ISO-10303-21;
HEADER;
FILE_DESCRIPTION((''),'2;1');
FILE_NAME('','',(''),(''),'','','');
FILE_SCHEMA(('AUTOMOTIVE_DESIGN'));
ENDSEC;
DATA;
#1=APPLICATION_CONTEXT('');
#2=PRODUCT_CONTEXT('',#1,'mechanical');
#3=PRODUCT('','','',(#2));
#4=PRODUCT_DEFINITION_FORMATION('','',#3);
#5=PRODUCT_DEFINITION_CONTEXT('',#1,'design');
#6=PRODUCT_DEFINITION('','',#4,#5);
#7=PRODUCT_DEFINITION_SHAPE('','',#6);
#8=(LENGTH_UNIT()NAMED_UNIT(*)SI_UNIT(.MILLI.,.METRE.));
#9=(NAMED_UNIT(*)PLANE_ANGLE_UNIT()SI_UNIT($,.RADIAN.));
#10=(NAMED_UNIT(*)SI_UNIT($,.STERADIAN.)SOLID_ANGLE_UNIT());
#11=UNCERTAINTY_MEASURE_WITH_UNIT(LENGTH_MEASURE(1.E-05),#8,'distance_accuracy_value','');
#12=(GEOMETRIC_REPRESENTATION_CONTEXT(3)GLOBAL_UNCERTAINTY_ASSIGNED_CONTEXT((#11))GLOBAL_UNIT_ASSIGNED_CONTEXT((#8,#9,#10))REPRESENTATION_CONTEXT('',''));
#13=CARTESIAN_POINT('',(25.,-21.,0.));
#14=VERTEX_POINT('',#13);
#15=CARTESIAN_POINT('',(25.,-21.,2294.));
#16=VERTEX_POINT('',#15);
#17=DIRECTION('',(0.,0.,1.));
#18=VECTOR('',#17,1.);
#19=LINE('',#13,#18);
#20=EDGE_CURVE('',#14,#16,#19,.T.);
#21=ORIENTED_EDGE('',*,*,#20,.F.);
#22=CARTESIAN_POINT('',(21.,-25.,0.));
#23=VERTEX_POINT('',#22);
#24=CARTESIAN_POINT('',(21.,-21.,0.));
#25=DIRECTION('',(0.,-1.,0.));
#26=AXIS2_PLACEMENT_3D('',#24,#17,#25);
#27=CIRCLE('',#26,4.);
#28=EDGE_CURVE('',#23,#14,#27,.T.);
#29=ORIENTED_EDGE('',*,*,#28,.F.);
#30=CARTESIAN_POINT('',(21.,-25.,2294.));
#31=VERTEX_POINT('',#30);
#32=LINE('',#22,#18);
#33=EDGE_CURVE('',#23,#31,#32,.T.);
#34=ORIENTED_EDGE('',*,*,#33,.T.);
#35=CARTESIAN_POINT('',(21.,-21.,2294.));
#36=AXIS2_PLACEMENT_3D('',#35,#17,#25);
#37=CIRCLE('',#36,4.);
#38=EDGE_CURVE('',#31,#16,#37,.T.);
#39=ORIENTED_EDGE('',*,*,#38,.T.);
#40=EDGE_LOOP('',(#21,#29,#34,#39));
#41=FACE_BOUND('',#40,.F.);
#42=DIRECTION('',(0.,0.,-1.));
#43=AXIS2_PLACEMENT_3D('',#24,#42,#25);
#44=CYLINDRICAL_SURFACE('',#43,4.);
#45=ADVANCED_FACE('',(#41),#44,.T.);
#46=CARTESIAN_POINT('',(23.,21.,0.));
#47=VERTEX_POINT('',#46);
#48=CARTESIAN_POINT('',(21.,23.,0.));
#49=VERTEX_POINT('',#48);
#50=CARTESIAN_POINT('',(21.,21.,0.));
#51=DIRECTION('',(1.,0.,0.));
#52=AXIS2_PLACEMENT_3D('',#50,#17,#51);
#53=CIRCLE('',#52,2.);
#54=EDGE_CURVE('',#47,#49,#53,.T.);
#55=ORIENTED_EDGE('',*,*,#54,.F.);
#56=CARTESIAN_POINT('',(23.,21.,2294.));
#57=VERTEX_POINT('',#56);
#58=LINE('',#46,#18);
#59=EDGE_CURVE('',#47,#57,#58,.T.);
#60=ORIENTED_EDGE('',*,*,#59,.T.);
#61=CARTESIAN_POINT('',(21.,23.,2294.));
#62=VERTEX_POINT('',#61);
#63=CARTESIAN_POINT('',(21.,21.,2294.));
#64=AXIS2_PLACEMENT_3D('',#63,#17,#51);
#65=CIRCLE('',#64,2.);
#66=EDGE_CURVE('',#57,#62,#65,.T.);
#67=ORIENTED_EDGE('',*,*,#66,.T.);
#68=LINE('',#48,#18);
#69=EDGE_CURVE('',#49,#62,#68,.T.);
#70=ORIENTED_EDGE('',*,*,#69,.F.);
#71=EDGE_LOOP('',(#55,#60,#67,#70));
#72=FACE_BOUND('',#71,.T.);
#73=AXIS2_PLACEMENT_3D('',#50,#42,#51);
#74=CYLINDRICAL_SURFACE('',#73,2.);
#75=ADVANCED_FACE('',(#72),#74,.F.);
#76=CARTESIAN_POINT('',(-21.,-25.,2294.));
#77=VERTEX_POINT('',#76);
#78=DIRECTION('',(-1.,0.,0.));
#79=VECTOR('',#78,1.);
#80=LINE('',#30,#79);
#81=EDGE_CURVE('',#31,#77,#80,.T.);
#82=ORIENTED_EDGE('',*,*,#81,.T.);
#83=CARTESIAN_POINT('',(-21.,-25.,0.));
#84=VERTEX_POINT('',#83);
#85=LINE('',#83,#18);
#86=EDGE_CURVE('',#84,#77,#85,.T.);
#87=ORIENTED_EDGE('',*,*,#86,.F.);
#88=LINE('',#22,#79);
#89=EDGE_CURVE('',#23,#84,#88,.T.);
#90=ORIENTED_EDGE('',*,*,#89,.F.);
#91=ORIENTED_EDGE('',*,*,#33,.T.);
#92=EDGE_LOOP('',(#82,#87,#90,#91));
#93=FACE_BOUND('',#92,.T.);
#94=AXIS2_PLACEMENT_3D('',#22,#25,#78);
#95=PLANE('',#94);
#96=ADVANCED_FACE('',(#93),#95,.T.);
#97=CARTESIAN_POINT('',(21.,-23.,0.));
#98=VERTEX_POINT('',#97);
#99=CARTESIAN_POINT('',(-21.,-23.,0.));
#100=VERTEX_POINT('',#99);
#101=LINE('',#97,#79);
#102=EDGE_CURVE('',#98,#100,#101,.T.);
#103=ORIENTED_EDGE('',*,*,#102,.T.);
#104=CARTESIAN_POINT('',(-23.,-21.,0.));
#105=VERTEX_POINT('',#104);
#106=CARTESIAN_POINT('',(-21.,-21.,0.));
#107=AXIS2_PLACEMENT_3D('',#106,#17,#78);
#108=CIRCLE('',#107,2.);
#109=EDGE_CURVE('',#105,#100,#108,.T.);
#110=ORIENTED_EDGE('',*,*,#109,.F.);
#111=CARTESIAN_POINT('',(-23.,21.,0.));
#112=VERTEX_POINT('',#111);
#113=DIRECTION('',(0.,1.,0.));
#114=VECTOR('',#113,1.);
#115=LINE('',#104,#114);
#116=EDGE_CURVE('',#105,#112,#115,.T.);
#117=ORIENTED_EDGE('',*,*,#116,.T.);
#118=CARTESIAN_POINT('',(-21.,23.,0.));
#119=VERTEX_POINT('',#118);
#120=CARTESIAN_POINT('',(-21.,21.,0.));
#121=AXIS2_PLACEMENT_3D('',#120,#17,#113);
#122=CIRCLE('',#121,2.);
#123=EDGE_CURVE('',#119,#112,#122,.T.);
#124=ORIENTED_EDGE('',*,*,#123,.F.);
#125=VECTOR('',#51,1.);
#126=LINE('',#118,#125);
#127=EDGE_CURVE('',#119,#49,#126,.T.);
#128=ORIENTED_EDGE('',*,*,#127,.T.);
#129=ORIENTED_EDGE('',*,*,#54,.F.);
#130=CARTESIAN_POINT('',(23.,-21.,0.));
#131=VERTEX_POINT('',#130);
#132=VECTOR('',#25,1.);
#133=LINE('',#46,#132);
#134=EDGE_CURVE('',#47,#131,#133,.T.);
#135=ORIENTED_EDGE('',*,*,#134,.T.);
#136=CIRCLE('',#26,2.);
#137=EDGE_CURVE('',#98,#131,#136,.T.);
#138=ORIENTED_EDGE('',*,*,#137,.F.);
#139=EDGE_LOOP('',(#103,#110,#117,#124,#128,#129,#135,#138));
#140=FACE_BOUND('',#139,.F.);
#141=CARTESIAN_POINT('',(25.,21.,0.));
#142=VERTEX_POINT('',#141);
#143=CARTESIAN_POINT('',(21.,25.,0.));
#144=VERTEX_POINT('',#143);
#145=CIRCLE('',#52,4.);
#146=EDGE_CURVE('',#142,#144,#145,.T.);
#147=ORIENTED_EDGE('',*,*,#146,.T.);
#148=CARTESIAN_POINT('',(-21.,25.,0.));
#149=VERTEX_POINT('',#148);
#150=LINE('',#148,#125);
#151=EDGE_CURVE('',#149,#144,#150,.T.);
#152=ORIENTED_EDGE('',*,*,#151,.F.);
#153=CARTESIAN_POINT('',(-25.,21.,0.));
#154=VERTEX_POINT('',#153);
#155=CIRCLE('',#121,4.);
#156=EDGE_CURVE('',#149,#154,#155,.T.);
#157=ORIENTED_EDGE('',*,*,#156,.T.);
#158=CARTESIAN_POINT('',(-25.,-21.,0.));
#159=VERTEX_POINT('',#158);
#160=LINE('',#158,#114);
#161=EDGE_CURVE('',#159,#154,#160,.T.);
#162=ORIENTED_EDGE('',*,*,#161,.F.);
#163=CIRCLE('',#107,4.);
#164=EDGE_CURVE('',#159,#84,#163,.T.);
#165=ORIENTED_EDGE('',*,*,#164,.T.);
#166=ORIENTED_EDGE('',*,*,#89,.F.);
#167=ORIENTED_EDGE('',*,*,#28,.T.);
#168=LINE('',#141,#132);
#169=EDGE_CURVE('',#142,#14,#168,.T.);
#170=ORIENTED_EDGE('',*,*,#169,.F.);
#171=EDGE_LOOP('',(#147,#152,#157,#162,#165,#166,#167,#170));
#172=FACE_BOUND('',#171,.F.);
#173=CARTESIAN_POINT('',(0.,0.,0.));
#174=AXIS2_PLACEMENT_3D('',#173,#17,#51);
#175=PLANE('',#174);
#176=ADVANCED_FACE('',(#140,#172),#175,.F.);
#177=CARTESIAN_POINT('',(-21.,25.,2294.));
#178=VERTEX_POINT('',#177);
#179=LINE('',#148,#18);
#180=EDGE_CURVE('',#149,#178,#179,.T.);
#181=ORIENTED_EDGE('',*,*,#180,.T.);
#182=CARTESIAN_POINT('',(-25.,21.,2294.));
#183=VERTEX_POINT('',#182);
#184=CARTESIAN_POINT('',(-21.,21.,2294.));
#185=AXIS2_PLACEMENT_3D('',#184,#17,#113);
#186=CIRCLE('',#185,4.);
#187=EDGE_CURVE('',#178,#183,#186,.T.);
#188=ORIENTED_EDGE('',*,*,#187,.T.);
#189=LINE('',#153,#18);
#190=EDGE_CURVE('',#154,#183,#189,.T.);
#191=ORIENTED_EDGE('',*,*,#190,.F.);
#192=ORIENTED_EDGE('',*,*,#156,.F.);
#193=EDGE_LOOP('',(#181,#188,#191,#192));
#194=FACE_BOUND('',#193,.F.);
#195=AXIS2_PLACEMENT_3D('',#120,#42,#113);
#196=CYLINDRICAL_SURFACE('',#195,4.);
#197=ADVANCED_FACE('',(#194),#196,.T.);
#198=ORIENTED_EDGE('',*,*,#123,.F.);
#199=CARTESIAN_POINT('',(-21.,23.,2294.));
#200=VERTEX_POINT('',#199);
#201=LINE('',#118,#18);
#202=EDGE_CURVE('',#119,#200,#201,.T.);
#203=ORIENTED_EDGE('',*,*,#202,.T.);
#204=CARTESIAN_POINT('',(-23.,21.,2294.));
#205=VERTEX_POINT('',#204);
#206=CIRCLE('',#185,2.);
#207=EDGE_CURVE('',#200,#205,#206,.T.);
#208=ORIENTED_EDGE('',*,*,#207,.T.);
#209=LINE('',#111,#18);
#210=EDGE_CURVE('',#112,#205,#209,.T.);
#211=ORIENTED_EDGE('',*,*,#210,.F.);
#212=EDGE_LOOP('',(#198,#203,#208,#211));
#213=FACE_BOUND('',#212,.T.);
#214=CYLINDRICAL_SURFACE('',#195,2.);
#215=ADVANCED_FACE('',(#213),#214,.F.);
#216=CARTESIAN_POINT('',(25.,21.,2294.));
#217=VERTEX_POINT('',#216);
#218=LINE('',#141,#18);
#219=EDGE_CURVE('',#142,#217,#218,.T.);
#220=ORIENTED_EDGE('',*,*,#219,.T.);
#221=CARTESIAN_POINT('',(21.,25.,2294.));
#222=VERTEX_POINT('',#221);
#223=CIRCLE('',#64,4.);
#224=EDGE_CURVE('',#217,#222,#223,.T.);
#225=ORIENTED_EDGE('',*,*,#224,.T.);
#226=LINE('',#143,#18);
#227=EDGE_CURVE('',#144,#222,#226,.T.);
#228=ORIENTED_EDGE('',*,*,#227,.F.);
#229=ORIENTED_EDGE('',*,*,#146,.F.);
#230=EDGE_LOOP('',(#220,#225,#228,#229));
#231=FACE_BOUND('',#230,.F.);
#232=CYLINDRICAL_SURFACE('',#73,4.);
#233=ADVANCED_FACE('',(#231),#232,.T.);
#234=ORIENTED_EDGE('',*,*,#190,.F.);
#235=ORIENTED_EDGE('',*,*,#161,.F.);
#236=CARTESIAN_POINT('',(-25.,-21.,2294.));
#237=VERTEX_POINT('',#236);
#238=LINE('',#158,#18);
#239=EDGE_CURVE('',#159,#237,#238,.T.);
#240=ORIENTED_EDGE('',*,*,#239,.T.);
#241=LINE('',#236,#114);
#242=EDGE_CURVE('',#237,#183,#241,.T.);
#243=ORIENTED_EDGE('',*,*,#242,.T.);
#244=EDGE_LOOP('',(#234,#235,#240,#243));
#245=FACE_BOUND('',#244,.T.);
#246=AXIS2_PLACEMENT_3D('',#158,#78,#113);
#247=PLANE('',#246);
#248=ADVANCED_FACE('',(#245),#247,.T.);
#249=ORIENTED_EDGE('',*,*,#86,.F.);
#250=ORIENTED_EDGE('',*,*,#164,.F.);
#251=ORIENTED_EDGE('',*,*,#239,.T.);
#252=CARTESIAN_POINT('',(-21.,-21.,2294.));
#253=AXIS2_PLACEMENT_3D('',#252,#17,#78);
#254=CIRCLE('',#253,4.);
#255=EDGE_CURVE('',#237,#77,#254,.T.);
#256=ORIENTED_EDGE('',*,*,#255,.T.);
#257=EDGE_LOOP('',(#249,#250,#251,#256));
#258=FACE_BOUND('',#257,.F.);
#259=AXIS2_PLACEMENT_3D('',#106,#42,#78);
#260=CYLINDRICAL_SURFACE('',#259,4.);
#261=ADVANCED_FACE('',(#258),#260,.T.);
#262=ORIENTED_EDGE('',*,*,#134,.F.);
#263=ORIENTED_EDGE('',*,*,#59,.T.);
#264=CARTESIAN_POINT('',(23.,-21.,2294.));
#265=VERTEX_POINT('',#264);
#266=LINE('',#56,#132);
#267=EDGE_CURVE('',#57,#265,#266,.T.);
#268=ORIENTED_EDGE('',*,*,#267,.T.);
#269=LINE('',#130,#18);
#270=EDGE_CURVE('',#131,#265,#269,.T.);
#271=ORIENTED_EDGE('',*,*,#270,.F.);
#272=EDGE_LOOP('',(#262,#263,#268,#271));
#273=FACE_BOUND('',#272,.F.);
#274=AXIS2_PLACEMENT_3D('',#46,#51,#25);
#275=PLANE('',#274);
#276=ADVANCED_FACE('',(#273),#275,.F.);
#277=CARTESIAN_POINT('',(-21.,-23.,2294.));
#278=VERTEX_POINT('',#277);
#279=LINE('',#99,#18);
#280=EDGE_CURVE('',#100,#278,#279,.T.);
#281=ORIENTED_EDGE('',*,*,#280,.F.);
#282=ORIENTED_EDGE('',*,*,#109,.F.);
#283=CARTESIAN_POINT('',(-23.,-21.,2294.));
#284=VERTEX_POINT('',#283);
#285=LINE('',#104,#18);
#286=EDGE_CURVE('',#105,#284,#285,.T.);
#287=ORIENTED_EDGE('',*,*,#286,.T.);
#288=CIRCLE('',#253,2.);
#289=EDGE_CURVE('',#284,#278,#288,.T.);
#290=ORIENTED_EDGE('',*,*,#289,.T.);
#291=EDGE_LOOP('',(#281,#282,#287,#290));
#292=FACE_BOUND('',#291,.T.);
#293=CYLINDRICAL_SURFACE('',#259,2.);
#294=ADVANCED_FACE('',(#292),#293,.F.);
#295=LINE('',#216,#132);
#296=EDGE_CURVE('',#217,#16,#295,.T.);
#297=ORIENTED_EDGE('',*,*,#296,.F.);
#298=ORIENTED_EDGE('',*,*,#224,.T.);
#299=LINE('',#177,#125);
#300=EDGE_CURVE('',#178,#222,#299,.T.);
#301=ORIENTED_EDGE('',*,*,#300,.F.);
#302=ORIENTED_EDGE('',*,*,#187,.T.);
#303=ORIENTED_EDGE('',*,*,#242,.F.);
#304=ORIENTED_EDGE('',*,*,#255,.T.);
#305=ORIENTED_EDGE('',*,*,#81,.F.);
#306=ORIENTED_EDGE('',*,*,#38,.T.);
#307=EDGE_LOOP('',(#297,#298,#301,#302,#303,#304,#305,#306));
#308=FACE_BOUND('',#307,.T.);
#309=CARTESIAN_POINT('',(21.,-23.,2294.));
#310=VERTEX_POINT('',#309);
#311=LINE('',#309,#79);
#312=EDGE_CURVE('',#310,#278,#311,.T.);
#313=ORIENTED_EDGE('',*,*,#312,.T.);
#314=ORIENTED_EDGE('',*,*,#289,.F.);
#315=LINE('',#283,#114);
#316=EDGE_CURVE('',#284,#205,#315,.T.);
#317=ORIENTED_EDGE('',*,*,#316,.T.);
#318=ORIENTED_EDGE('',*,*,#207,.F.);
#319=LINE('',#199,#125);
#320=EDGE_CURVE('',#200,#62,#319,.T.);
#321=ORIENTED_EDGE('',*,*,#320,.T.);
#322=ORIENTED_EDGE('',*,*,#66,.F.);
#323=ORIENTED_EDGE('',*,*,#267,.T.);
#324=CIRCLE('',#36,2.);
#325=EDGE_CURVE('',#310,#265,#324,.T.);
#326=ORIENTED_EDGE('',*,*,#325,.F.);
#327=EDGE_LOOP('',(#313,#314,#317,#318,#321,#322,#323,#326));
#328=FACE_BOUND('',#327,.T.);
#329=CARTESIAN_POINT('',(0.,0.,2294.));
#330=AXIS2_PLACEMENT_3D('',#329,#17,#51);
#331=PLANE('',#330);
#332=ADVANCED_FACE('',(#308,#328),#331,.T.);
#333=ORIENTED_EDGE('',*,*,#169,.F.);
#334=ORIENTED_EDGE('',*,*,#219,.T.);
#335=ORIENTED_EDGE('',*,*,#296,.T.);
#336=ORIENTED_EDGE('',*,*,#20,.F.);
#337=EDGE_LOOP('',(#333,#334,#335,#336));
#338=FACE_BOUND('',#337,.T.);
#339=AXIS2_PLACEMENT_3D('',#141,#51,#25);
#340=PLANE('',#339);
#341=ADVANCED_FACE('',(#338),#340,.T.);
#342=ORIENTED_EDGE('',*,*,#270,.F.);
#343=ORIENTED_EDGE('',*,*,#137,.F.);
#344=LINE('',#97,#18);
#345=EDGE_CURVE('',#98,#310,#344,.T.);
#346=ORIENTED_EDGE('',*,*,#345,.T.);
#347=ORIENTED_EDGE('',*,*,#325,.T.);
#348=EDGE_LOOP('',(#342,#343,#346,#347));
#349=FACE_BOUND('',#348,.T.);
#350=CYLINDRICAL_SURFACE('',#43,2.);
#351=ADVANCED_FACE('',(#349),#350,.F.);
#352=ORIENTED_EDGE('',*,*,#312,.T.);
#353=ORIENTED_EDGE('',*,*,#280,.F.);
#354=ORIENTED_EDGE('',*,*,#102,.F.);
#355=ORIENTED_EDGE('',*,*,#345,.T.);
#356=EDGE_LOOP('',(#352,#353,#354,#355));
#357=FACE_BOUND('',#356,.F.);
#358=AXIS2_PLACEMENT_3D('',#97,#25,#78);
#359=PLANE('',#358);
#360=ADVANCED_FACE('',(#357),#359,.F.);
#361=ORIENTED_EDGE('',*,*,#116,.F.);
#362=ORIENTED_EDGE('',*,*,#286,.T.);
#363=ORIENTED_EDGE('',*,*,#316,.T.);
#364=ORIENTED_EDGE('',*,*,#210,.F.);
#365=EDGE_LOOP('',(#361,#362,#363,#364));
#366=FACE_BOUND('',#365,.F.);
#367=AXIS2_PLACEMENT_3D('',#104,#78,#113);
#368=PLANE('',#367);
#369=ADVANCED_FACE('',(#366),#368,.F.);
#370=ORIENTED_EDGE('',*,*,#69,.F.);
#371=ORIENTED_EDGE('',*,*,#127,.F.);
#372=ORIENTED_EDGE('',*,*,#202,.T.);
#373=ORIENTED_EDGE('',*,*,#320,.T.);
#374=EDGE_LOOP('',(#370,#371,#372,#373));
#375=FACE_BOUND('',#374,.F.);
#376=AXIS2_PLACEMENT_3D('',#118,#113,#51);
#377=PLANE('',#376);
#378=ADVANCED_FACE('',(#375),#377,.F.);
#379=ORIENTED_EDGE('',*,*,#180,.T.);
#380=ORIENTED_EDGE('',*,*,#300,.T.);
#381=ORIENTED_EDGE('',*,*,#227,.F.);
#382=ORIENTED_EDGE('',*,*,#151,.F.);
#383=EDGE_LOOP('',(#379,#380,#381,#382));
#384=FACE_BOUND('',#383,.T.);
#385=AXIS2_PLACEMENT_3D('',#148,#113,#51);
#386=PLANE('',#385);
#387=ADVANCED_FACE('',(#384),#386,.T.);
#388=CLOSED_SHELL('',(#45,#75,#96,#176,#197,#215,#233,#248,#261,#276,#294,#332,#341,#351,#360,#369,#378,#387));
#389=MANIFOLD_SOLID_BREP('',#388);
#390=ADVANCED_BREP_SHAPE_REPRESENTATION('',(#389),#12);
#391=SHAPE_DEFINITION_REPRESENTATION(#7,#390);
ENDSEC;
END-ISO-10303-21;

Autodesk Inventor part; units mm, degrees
ref_plane "YZ Plane" through (0, 0, 0) normal (1, 0, 0) x (0, 1, 0)
ref_plane "Start plane" through (0, 0, 0) normal (0, 0, 1) x (1, 0, 0)
ref_plane "End plane" through (0, 0, 2294) normal (0, 0, 1) x (1, 0, 0)
sketch "Sketch" plane through (0, 0, 0) normal (0, 0, 1) x (1, 0, 0)
  line L0 (-25, -21) -> (-25, 21)
  line L1 (-21, 25) -> (21, 25)
  line L2 (25, 21) -> (25, -21)
  line L3 (21, -25) -> (-21, -25)
  arc A0 (-25, -21) -> (-21, -25) centre (-21, -21) ccw
  arc A1 (25, 21) -> (21, 25) centre (21, 21) ccw
  arc A2 (-21, 25) -> (-25, 21) centre (-21, 21) ccw
  arc A3 (21, -25) -> (25, -21) centre (21, -21) ccw
  arc A4 (-21, 23) -> (-23, 21) centre (-21, 21) ccw
  line L4 (-21, 23) -> (21, 23)
  arc A5 (23, 21) -> (21, 23) centre (21, 21) ccw
  line L5 (23, 21) -> (23, -21)
  arc A6 (21, -23) -> (23, -21) centre (21, -21) ccw
  line L6 (21, -23) -> (-21, -23)
  arc A7 (-23, -21) -> (-21, -23) centre (-21, -21) ccw
  line L7 (-23, -21) -> (-23, 21)
  line L8 (0, 36.1598) -> (0, -36.1598) construction
  line L9 (-36.1598, 0) -> (36.1598, 0) construction
  dimension "d7" = 4
  dimension "d9" = 50
  dimension "d11" = 50
  dimension "d12" = 2
  dimension "d15" = 25
  dimension "d16" = 25
extrude "Body" add sketch "Sketch" along normal up to surface (2294 mm away) from surface at 0
sketch "Sketch3" plane through (0, 0, 0) normal (0, 0, 1) x (1, 0, 0)
  line L0 (0, 0) -> (10, 0)
ref_plane "Work Plane3" through (0, 0, 0) normal (0, -1, 0) x (1, 0, 0)
sketch "Sketch4" plane through (0, 0, 0) normal (0, -1, 0) x (1, 0, 0)
  line L0 (-2, 0) -> (12, 0) projected
  line L1 (-2, 2294) -> (12, 2294) projected
  dimension "d18" = 2294
equation "\"d7\" = G_IR"
equation "\"d9\" = G_W"
equation "\"d11\" = G_H"
equation "\"d12\" = G_T"
equation "\"d15\" = 0.5 * d9"
equation "\"d16\" = 0.5 * d11"
equation "\"d3\" = G_L"
equation "\"G_W\" = 50"
equation "\"G_H\" = 50"
equation "\"G_T\" = 2"
equation "\"G_IR\" = 4"
equation "\"G_L\" = d18"
equation "\"G_OFFSET_START\" = 0"
equation "\"G_OFFSET_END\" = 0"
equation "\"d14\" = G_OFFSET_END + B_L"
equation "\"B_L\" = 2294"
properties part number "ISO 4019 - 50x50x2 - 2294" material "Steel, Mild"
